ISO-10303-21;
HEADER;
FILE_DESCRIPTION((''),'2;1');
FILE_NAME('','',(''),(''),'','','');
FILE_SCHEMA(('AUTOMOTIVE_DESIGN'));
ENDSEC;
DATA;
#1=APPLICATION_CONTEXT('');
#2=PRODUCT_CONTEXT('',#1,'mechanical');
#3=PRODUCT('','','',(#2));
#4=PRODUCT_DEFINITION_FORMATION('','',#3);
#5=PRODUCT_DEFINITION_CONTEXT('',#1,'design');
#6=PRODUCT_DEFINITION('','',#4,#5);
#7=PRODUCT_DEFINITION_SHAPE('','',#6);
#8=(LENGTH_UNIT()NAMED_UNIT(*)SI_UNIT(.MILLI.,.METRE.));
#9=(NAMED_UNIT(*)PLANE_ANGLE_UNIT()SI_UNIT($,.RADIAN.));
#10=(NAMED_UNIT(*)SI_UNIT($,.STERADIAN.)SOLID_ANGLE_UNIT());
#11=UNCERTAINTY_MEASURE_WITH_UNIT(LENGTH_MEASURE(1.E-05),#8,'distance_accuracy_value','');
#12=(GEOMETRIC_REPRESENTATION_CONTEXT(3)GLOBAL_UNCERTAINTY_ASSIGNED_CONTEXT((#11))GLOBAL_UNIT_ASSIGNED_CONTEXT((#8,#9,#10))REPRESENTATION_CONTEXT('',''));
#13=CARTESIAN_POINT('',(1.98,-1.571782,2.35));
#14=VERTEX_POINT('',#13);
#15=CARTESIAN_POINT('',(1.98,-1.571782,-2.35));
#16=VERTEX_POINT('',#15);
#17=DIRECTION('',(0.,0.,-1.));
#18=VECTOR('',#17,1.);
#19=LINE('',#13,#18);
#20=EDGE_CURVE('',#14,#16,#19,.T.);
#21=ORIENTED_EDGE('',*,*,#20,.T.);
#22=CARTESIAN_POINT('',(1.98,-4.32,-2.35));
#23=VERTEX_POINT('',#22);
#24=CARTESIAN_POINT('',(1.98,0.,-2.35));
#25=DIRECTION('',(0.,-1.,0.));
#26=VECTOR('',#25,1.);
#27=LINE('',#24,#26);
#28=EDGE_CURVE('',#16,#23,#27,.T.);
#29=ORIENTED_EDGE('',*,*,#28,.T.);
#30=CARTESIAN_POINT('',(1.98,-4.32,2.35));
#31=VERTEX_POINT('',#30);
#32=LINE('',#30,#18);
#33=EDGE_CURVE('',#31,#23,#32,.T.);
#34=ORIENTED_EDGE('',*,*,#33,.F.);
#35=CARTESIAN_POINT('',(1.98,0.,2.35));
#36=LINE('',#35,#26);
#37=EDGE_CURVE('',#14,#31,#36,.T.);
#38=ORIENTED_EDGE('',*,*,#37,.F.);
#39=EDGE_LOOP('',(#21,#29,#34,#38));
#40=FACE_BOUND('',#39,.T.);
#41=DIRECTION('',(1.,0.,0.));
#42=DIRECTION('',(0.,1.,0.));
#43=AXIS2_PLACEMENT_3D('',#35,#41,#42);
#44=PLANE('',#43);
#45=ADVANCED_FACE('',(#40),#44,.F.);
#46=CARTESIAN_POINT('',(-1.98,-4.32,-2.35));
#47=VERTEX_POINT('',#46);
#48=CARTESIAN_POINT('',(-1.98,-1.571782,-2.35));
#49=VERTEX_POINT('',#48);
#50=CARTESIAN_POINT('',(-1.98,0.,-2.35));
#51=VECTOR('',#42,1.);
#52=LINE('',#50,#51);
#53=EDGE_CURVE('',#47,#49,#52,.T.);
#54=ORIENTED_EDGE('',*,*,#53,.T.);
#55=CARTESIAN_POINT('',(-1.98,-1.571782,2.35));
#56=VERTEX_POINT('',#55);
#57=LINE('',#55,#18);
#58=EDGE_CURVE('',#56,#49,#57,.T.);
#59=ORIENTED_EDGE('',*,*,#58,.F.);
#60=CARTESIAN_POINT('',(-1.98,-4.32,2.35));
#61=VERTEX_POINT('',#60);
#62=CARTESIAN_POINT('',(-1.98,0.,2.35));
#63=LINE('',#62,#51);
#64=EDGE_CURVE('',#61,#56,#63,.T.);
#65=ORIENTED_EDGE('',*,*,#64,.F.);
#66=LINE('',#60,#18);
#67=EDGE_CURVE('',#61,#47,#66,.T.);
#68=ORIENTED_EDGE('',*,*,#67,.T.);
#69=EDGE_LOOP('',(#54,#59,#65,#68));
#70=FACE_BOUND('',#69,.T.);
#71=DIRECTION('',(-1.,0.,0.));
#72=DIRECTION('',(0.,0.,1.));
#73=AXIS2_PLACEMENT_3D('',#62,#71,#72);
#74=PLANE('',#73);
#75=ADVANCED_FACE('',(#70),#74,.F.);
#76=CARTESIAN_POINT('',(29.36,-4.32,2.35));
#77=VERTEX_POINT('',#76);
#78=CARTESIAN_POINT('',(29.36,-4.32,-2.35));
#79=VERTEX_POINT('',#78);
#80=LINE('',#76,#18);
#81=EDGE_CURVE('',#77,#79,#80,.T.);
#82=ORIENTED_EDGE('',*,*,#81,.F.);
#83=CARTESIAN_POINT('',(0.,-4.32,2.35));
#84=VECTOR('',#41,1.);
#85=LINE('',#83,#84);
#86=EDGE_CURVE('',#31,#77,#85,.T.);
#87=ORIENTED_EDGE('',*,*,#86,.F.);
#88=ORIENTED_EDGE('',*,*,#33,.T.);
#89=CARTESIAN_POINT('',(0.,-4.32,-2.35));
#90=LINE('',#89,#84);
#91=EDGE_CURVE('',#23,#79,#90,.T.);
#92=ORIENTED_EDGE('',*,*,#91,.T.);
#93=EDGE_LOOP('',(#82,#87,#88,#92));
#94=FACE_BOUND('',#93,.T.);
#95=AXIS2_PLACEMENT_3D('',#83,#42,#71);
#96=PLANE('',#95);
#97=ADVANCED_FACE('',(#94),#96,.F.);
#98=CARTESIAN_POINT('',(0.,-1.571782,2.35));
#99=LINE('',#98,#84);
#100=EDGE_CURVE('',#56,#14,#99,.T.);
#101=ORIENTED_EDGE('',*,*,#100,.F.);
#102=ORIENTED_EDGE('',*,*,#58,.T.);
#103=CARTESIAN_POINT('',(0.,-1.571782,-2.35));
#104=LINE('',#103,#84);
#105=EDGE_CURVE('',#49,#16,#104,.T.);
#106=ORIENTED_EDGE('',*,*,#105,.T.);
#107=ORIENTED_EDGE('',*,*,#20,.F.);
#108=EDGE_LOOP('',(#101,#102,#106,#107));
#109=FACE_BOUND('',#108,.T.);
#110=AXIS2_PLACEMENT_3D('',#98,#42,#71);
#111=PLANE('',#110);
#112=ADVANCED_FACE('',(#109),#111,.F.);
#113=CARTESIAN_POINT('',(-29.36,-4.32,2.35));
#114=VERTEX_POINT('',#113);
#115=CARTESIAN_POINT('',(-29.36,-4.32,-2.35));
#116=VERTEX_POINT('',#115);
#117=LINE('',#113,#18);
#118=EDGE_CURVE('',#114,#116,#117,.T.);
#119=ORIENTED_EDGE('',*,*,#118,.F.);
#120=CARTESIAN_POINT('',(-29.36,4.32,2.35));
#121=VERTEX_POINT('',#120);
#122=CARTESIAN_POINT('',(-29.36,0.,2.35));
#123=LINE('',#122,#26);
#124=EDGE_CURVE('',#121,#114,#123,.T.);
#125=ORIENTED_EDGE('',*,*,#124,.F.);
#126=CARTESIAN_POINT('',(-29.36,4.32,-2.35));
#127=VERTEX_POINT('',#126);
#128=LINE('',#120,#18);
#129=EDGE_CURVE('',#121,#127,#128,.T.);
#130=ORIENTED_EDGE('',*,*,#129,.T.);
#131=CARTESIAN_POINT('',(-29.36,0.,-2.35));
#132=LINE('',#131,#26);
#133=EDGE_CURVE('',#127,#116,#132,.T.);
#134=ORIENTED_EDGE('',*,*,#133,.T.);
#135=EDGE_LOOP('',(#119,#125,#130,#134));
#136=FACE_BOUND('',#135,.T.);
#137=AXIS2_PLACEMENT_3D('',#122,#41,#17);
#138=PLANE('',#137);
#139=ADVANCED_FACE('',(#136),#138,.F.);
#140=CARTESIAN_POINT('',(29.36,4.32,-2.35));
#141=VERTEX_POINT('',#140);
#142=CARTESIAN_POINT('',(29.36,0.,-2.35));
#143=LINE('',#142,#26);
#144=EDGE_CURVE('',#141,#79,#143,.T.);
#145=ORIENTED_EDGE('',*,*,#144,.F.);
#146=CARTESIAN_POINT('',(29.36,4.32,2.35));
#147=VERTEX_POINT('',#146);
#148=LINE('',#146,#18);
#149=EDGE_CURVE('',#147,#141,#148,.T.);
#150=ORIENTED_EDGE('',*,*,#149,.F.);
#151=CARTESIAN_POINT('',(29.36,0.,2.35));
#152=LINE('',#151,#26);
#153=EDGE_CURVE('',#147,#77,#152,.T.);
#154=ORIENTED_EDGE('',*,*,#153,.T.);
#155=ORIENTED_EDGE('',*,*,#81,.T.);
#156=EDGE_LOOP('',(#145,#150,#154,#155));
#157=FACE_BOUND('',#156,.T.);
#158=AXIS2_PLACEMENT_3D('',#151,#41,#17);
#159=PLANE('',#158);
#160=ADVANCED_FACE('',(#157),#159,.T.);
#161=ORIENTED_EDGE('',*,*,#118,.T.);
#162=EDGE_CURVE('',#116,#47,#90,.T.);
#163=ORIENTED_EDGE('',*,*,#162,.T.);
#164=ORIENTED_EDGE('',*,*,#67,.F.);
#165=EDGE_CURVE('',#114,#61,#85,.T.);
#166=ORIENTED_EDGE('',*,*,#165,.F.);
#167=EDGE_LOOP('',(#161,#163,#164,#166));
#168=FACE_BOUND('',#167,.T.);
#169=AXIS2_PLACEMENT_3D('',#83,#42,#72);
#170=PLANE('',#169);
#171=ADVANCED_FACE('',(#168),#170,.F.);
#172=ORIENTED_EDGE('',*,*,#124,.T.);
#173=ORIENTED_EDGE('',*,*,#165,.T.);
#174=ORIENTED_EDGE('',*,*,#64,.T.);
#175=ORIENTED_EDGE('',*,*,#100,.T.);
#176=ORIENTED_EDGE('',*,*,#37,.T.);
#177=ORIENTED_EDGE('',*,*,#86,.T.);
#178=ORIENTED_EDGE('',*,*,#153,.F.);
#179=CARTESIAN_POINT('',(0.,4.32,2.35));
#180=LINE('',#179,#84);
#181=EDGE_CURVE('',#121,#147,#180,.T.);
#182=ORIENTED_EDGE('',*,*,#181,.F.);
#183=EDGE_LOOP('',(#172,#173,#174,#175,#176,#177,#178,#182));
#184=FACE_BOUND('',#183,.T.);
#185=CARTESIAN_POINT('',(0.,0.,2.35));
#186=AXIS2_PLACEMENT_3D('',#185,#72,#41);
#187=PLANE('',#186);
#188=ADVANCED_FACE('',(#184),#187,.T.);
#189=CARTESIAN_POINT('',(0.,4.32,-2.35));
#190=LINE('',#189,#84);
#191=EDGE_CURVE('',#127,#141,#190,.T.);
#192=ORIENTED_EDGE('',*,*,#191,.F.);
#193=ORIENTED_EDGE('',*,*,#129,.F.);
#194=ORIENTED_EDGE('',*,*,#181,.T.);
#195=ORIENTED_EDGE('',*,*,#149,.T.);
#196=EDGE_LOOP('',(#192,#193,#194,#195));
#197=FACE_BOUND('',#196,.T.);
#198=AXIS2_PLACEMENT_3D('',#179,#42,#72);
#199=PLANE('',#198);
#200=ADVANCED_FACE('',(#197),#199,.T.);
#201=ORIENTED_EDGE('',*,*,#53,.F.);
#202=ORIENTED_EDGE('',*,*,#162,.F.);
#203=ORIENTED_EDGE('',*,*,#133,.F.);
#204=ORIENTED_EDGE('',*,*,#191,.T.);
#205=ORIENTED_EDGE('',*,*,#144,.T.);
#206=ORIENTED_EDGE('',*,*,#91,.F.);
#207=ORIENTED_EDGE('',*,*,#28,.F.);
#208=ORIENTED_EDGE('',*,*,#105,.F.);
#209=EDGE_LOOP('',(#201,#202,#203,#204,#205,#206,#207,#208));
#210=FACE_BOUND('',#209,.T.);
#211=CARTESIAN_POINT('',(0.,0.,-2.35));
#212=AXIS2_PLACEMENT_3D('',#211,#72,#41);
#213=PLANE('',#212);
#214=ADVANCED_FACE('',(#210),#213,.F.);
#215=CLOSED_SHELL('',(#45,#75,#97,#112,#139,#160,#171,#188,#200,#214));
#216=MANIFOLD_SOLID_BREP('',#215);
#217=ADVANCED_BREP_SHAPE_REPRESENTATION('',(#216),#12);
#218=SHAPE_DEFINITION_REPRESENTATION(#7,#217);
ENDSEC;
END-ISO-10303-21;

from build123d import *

# Parameters (mm, degrees)
BOSS_EXTRUDE1_DEPTH = 2.35


with BuildPart() as part:
    # Sketch1 → Boss-Extrude1 (new, symmetric)
    with BuildSketch(Plane.XY):
        Polygon((-1.98, -4.32), (-1.98, -1.571782428), (1.98, -1.571782428), (1.98, -4.32), (29.36, -4.32), (29.36, 4.32), (-29.36, 4.32), (-29.36, -4.32), align=None)
    extrude(amount=BOSS_EXTRUDE1_DEPTH, both=True)


solid = part.part
